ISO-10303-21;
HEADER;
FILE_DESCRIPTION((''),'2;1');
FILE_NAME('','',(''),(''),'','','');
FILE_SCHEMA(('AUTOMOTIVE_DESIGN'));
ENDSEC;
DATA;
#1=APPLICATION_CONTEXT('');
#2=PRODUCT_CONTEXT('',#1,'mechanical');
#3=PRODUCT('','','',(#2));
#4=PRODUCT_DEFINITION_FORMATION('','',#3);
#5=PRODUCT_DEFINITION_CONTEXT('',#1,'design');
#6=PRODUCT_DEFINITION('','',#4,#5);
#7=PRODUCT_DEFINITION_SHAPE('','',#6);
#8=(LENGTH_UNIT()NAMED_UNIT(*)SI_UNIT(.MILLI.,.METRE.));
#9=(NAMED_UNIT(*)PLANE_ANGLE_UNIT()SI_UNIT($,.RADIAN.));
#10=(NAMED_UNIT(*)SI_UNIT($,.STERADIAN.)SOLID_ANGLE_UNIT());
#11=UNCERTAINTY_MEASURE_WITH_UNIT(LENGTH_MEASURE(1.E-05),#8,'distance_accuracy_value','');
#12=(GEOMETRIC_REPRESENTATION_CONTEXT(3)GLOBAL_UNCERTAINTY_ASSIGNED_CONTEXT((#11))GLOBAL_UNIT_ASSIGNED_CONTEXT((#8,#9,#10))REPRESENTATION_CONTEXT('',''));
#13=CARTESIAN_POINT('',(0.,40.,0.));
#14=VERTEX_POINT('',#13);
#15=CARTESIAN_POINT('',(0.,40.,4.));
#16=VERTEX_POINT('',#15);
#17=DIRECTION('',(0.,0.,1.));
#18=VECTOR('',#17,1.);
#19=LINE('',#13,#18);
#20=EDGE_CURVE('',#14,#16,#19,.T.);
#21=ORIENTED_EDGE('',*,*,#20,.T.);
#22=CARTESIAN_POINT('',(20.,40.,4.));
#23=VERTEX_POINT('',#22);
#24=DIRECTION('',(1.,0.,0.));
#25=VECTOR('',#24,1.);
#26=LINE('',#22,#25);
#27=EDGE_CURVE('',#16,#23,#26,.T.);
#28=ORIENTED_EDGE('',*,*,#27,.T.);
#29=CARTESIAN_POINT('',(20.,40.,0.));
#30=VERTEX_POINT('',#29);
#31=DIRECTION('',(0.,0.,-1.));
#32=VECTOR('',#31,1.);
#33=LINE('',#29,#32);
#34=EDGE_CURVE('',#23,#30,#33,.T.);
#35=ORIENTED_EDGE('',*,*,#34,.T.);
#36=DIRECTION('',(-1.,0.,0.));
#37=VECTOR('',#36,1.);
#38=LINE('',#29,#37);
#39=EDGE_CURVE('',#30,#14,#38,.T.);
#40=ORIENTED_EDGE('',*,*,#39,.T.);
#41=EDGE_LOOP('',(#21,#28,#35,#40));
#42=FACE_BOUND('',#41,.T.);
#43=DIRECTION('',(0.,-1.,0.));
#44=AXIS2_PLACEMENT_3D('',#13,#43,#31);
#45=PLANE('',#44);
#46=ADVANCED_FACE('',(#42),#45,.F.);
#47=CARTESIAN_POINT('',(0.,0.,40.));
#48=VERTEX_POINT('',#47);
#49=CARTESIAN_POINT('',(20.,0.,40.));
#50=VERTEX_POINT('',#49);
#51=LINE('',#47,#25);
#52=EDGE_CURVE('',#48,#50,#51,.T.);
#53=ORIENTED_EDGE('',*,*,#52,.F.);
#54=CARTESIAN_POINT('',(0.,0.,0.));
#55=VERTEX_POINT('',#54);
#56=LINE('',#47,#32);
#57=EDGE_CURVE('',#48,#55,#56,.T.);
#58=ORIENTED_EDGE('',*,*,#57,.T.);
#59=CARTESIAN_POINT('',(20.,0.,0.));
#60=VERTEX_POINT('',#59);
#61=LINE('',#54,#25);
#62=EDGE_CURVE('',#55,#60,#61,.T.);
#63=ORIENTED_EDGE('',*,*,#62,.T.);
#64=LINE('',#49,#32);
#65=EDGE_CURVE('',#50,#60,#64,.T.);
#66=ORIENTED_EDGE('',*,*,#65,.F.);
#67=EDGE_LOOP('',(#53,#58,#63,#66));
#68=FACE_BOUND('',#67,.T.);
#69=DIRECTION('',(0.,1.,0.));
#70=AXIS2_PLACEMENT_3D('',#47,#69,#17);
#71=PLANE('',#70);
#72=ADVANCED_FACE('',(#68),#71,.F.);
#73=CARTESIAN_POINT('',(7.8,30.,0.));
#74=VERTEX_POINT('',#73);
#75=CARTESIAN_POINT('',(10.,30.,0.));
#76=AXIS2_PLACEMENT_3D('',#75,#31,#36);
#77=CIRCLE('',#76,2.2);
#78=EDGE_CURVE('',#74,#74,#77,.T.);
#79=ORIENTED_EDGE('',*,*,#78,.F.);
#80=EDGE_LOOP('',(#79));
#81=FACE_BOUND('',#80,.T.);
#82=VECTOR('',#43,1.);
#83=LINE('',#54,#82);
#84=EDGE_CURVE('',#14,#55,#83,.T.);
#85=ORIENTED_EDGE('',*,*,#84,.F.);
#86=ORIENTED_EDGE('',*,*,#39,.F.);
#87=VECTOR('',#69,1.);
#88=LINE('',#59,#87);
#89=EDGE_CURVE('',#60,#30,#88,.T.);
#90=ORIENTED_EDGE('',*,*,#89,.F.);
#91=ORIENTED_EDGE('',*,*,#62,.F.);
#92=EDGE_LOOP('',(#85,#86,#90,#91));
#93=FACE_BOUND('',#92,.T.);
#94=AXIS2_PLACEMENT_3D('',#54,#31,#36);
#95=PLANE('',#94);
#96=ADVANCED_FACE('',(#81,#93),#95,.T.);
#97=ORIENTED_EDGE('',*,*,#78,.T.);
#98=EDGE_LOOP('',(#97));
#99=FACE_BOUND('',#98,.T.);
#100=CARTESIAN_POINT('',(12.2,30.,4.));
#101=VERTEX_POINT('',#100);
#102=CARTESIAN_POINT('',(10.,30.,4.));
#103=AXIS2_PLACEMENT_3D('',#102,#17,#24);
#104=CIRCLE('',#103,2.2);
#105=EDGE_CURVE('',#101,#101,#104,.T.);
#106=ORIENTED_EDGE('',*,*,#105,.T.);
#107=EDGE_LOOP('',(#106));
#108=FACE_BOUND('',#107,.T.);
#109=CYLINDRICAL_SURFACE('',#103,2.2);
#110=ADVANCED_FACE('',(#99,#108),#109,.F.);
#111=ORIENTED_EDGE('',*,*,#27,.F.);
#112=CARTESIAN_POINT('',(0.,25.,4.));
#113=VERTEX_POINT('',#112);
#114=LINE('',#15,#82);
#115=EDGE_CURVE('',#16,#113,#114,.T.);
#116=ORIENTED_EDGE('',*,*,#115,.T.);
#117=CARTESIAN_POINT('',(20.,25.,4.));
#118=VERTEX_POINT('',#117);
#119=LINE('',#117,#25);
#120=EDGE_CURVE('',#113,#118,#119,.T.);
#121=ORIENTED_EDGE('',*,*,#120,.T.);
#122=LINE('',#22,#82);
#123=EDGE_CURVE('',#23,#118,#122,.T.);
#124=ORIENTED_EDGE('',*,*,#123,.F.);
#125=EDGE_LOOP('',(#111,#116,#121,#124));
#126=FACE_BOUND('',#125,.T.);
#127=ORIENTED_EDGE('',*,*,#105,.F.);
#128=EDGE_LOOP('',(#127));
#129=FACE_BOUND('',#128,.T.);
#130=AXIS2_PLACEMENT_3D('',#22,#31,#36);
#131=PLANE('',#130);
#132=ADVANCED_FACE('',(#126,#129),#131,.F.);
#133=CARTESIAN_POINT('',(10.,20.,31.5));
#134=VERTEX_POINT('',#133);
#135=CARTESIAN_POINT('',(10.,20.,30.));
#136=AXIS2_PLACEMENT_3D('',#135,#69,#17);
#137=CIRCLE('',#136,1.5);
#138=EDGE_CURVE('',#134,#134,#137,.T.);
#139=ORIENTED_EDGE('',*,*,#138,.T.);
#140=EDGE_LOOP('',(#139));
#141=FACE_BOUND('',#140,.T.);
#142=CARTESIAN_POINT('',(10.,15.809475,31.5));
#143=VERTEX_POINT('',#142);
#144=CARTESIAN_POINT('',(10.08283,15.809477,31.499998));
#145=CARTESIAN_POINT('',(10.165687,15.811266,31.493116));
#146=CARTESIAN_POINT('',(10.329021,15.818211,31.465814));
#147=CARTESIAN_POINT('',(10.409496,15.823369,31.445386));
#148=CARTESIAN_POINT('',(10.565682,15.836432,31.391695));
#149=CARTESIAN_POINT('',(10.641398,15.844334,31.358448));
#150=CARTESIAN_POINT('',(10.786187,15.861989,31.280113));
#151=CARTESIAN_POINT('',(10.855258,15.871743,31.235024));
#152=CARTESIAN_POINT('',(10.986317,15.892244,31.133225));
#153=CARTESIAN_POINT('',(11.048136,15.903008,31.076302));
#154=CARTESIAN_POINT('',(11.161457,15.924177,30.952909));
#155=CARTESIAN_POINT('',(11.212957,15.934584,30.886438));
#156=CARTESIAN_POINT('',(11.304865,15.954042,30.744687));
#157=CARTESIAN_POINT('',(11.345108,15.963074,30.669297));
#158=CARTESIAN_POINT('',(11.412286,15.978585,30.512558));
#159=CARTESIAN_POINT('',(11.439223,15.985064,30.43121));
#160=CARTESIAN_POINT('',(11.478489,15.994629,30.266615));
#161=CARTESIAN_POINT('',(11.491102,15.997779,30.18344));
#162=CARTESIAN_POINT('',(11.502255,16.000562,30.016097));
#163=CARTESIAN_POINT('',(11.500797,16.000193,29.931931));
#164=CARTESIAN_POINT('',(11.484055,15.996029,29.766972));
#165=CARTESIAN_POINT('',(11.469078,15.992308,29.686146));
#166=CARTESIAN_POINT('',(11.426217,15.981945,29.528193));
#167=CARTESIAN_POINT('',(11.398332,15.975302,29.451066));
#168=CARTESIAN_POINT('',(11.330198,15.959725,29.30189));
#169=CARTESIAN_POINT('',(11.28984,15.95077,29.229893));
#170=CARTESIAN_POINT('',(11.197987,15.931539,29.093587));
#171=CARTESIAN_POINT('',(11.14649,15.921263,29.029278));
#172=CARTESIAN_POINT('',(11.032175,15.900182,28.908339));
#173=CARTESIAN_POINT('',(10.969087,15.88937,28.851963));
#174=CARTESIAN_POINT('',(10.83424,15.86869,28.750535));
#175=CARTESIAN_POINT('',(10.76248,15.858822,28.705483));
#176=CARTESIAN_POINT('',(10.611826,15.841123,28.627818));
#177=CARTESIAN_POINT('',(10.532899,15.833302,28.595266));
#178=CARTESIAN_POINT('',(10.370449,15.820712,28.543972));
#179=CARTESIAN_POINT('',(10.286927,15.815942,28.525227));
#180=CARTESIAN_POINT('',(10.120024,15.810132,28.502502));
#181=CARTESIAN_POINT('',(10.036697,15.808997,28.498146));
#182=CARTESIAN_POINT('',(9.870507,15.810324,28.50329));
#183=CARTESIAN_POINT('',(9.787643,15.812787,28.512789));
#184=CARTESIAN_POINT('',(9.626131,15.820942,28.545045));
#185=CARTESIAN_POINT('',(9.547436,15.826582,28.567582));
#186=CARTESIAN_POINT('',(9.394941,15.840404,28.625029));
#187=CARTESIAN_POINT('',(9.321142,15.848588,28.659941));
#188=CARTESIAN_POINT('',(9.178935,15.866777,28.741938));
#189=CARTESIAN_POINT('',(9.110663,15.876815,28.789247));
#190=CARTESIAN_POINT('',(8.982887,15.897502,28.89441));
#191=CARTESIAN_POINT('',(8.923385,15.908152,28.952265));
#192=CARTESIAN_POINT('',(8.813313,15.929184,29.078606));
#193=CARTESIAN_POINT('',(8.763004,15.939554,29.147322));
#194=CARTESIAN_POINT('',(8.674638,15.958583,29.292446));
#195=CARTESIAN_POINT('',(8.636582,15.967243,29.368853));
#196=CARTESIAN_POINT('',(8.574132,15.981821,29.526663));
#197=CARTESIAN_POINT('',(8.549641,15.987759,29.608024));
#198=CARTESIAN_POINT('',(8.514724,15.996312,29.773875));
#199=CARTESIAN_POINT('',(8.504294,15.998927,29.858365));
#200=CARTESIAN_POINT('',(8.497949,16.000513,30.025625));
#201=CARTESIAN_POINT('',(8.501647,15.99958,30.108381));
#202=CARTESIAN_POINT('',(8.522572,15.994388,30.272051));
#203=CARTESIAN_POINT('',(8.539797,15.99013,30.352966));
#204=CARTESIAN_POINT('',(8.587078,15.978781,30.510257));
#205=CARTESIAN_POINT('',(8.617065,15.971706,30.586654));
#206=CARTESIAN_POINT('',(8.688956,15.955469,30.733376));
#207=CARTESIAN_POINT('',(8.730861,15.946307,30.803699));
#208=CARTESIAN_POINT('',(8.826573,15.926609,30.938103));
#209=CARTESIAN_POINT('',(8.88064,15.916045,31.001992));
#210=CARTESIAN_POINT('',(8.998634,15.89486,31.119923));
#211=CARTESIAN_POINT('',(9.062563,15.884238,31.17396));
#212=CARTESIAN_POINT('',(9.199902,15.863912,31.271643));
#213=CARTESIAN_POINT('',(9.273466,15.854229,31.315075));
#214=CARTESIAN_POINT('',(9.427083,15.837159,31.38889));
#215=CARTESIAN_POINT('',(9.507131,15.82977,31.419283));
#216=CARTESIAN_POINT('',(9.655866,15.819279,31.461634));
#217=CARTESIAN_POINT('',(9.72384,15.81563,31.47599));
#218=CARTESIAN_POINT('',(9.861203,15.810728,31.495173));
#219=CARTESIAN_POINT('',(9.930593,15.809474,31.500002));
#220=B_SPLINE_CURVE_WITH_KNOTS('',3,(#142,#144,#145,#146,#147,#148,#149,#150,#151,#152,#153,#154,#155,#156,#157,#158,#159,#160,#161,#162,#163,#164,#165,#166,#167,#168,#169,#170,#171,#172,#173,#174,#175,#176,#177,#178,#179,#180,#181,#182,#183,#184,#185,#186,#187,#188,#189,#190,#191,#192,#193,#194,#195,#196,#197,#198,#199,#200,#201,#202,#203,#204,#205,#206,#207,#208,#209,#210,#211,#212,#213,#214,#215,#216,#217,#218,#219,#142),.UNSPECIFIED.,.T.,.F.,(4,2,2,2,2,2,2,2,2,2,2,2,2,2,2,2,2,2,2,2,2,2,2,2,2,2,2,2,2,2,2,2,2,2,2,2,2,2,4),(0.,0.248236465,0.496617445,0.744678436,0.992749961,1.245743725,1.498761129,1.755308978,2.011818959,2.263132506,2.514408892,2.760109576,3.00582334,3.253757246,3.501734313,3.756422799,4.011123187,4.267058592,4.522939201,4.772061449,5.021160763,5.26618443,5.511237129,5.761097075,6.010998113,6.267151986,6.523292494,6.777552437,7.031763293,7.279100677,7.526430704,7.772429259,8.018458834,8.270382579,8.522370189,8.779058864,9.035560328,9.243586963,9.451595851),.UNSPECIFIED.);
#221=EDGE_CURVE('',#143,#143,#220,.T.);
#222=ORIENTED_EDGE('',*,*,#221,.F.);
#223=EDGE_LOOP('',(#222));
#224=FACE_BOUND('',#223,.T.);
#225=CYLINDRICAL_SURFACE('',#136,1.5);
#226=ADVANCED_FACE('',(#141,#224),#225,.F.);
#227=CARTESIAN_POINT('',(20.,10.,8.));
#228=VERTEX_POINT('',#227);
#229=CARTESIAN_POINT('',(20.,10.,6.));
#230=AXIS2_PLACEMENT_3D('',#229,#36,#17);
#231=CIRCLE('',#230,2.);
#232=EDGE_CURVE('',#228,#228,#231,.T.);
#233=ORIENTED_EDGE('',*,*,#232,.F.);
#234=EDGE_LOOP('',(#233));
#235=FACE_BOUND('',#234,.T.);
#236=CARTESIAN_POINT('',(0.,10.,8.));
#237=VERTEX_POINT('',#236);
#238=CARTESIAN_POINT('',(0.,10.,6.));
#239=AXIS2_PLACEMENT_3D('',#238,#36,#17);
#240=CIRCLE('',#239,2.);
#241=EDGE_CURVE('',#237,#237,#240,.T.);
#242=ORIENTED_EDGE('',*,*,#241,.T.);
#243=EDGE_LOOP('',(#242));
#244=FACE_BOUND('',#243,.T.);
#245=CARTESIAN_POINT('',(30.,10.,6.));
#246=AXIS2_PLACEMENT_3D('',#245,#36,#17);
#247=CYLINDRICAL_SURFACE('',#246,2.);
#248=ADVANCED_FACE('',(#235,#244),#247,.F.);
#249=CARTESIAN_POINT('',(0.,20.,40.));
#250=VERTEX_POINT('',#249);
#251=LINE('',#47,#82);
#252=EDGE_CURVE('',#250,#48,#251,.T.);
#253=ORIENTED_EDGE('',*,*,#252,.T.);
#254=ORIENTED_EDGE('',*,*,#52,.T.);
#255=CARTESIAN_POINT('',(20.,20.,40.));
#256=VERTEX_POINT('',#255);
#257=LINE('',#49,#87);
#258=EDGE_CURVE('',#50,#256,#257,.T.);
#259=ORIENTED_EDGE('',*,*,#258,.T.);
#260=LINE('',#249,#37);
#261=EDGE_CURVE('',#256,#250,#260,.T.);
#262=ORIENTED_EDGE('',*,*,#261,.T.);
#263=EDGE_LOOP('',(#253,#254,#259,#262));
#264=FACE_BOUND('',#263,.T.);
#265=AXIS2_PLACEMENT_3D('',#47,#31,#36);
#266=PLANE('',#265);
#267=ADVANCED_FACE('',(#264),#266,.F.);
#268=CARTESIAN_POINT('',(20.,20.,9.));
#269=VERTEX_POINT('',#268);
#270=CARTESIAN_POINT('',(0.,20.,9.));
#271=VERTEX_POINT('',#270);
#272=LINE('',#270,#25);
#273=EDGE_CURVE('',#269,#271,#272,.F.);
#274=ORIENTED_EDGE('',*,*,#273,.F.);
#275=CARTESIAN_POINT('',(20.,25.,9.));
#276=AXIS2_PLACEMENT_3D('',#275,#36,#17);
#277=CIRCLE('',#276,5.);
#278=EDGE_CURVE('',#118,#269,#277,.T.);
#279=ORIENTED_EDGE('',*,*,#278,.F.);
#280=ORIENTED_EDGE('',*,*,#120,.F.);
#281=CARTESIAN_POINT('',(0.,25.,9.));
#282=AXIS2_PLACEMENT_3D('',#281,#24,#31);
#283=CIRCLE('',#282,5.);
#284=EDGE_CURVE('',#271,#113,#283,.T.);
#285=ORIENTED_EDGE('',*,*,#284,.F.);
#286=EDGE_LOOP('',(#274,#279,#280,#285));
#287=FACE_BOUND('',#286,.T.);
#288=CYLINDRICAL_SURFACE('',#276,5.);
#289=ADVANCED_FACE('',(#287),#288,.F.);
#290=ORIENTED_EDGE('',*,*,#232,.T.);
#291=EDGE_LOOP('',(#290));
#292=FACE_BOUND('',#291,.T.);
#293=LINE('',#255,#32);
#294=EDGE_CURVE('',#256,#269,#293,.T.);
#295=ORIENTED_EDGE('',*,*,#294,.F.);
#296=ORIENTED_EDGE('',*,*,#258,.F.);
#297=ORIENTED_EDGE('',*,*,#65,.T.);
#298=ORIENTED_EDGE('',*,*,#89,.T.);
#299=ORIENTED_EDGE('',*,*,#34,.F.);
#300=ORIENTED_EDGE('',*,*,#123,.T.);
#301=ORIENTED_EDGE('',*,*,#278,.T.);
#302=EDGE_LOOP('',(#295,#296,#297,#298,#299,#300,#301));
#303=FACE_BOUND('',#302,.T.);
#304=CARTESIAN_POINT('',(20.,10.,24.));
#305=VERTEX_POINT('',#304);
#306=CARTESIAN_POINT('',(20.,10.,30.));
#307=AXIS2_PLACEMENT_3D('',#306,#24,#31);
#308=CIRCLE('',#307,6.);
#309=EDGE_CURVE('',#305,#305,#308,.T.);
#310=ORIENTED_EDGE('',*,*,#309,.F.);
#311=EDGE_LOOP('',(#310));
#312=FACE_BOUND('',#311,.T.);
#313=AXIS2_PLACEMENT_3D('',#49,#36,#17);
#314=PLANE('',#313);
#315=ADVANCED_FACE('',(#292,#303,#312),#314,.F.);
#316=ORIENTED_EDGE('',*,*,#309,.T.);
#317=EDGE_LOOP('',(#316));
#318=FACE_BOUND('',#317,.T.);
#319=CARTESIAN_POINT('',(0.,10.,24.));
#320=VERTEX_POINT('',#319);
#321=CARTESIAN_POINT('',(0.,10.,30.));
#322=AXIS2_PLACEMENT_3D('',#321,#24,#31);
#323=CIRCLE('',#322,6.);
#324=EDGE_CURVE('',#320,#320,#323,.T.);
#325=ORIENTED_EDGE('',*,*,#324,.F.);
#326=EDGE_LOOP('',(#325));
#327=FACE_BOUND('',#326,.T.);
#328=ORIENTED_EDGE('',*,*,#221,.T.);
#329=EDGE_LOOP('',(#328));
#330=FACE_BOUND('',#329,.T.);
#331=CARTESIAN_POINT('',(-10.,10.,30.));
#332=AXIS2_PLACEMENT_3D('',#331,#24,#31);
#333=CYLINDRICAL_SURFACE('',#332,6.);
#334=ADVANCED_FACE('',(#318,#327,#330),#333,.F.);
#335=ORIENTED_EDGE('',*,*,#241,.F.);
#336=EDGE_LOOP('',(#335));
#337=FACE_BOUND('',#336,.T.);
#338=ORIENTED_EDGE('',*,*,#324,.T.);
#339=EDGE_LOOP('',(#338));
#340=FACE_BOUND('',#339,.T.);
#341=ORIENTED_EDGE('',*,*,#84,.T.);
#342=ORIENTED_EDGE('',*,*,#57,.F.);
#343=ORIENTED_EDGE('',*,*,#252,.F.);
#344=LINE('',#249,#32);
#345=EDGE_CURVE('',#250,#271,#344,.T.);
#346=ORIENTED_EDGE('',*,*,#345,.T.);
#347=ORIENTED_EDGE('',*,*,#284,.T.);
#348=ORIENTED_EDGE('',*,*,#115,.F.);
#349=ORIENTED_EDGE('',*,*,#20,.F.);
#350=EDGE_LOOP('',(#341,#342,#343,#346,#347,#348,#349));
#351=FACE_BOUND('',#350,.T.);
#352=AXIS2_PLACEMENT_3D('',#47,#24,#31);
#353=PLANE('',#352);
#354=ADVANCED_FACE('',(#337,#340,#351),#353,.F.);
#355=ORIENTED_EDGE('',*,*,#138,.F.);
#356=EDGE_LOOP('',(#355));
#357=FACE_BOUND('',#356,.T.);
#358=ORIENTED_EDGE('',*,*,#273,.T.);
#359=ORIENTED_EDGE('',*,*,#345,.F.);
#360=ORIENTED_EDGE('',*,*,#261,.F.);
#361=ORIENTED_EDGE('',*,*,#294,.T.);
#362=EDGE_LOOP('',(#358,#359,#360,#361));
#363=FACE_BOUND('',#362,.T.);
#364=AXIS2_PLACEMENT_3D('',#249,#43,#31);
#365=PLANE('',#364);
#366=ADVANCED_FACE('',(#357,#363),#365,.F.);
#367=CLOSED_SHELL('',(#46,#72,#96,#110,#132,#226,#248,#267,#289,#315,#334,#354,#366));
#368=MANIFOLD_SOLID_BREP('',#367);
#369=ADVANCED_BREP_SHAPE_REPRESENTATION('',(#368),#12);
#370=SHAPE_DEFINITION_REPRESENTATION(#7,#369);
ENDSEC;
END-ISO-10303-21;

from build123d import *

# Parameters (mm, degrees)
SKETCH1_W                  = 20
SKETCH1_H                  = 20
BOSS_EXTRUDE1_DEPTH        = 40
SKETCH2_R                  = 6
CUT_EXTRUDE1_DEPTH         = 30
F_3_0MM_DOWEL_HOLE1_REACH  = 50.99
F_3_0MM_DOWEL_HOLE1_BORE_R = 1.5
SKETCH5_R                  = 2
CUT_EXTRUDE2_DEPTH         = 30
SKETCH6_W                  = 20
SKETCH6_H                  = 4
BOSS_EXTRUDE2_DEPTH        = 20
F_4_4_4_4_DIAMETER_HOLE1_D = 4.4
FILLET1_R                  = 5


with BuildPart() as part:
    # Sketch1 → Boss-Extrude1 (new body)
    with BuildSketch(Plane.XY):
        with Locations((10, 10)):
            Rectangle(SKETCH1_W, SKETCH1_H)
    extrude(amount=BOSS_EXTRUDE1_DEPTH)

    # Sketch2 → Cut-Extrude1 (cut)
    with BuildSketch(Plane(origin=(20, 0, 0), x_dir=(0, 0, -1), z_dir=(1, 0, 0))):
        with Locations((-30, 10)):
            Circle(SKETCH2_R)
    extrude(amount=-CUT_EXTRUDE1_DEPTH, mode=Mode.SUBTRACT)

    # Ø3.0mm Dowel Hole1 bore → Ø3.0mm Dowel Hole1 (cut, up to next)
    with BuildSketch(Plane(origin=(0, 20, 0), x_dir=(1, 0, 0), z_dir=(0, 1, 0)), mode=Mode.PRIVATE) as f_3_0mm_dowel_hole1_sk1:
        with Locations((10, -30)):
            Circle(F_3_0MM_DOWEL_HOLE1_BORE_R)
    f_3_0mm_dowel_hole1_tool1 = extrude(f_3_0mm_dowel_hole1_sk1.sketch, amount=-F_3_0MM_DOWEL_HOLE1_REACH, mode=Mode.PRIVATE) & part.part
    add(f_3_0mm_dowel_hole1_tool1.solids().sort_by_distance((10, 20, 30))[0], mode=Mode.SUBTRACT)

    # Sketch5 → Cut-Extrude2 (cut)
    with BuildSketch(Plane.ZY):
        with Locations((6, 10)):
            Circle(SKETCH5_R)
    extrude(amount=-CUT_EXTRUDE2_DEPTH, mode=Mode.SUBTRACT)

    # Sketch6 → Boss-Extrude2 (add)
    with BuildSketch(Plane(origin=(0, 20, 0), x_dir=(1, 0, 0), z_dir=(0, 1, 0))):
        with Locations((10, -2)):
            Rectangle(SKETCH6_W, SKETCH6_H)
    extrude(amount=BOSS_EXTRUDE2_DEPTH)

    # Ø4.4 (4.4) Diameter Hole1 (through all)
    with Locations(Plane.XY.offset(4)):
        with Locations((10, 30)):
            Hole(F_4_4_4_4_DIAMETER_HOLE1_D / 2)

    # Fillet1
    fillet1_edges = [part.edges().sort_by_distance(p)[0] for p in [
        (10, 20, 4),
    ]]
    fillet(fillet1_edges, radius=FILLET1_R)


solid = part.part
